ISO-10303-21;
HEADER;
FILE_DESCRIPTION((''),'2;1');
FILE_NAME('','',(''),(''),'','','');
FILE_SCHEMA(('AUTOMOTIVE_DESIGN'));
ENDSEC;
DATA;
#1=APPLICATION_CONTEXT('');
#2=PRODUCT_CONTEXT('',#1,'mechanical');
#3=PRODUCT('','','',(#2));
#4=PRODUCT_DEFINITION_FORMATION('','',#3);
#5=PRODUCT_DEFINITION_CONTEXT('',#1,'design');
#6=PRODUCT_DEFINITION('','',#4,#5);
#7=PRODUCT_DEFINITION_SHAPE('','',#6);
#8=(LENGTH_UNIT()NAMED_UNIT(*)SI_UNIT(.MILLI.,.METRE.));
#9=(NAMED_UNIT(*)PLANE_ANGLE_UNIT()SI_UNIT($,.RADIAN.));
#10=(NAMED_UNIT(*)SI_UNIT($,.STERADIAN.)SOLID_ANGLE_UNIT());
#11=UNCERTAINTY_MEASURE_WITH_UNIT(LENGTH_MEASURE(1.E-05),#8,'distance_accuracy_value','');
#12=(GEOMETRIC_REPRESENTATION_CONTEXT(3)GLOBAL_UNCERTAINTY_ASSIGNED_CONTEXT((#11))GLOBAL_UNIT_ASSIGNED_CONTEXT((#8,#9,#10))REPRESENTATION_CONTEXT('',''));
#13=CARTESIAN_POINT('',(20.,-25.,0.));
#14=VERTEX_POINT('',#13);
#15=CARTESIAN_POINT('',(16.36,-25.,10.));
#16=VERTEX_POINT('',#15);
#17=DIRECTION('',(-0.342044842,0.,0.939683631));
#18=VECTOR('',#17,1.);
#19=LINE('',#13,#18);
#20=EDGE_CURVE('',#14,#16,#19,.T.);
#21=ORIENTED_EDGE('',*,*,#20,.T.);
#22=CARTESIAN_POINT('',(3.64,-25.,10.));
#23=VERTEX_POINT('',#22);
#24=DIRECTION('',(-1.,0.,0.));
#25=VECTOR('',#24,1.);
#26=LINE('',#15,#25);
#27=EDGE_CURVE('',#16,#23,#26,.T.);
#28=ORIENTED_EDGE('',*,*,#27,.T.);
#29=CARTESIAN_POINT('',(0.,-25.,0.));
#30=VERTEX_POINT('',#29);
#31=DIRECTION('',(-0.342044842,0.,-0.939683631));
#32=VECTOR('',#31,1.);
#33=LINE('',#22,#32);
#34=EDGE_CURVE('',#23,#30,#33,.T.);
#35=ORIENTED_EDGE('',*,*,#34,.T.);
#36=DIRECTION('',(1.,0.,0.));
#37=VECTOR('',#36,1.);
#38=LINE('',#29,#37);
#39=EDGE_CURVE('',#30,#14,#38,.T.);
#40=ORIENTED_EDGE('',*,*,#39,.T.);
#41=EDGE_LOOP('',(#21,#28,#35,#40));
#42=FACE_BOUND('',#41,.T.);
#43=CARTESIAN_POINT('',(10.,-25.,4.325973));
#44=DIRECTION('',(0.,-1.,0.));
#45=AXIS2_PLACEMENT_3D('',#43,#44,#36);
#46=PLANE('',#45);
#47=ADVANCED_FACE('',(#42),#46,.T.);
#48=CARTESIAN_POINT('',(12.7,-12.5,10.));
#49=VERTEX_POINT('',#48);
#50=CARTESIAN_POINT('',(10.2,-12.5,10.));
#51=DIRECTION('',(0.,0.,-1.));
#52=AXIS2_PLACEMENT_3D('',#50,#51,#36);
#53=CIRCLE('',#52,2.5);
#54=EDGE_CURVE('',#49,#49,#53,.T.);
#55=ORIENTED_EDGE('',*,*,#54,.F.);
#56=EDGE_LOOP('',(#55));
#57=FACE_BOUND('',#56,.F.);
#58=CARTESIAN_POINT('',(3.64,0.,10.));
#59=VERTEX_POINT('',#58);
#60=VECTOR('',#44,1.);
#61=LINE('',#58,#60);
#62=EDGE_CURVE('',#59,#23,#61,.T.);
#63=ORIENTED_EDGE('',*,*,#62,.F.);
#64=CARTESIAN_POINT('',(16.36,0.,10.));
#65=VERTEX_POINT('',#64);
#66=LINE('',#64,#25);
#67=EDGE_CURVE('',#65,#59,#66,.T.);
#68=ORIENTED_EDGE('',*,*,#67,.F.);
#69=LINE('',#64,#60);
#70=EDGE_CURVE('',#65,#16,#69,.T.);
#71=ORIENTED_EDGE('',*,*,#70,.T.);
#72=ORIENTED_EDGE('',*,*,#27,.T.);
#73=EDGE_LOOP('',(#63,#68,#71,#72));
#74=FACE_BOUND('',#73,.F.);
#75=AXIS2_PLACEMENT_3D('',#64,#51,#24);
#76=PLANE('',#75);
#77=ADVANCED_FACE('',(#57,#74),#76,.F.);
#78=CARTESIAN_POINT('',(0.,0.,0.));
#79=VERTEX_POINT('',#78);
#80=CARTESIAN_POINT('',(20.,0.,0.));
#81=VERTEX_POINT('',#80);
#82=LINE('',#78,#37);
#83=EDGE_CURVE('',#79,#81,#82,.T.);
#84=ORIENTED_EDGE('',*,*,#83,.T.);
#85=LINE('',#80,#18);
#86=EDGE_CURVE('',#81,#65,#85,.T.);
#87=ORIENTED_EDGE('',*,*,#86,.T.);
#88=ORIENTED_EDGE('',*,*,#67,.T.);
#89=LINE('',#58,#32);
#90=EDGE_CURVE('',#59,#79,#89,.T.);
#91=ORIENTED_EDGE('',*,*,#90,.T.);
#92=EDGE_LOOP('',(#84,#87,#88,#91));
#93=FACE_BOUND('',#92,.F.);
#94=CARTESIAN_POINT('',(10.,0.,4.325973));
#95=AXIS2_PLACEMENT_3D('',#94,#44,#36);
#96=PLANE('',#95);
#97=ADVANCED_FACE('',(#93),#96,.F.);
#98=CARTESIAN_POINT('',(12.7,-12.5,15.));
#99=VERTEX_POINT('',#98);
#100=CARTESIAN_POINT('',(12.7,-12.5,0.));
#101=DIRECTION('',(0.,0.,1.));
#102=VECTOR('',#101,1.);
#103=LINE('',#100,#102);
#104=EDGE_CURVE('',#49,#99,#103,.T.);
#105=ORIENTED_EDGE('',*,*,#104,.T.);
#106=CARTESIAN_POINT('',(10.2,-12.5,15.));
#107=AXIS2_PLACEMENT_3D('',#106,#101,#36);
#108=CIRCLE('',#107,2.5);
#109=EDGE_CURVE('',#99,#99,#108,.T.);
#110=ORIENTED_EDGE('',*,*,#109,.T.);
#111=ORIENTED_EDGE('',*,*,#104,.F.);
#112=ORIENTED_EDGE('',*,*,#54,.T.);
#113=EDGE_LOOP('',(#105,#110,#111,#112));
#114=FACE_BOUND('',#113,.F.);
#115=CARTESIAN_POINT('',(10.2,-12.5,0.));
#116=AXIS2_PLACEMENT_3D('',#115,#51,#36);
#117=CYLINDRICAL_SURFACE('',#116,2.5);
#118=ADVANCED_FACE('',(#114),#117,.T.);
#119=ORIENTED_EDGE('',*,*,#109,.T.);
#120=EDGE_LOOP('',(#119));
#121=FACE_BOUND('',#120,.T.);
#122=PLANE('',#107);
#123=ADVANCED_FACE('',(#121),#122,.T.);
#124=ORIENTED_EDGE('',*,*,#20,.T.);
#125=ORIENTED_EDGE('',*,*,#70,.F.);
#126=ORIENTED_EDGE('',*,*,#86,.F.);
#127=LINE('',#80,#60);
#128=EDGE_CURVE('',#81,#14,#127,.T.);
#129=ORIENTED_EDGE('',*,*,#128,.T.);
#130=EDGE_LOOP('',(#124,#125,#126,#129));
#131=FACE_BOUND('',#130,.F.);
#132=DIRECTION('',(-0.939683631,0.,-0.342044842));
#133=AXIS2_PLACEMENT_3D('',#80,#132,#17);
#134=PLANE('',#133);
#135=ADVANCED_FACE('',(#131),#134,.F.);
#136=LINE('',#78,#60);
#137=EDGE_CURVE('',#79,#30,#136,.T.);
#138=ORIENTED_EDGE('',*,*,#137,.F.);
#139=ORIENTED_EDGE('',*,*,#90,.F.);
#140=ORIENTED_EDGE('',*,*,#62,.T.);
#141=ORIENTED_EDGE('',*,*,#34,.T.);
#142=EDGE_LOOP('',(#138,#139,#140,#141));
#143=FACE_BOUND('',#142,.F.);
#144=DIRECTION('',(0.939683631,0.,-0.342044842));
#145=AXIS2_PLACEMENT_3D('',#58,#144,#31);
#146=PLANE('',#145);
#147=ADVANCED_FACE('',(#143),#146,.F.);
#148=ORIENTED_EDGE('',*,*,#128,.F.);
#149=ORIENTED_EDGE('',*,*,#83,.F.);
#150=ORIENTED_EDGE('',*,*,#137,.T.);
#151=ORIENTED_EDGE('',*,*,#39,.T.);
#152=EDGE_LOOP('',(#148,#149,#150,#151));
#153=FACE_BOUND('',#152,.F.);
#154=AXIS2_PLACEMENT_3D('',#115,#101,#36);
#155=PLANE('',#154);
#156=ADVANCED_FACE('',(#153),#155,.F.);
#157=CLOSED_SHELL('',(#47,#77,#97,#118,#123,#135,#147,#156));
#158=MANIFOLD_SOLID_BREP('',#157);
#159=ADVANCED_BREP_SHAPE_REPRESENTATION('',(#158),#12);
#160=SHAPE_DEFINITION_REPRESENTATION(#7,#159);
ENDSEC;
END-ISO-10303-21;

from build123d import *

# Parameters (mm, degrees)
F1_DEPTH = 25
F2_R     = 2.5
F3_DEPTH = 15


with BuildPart() as f1:
    # F0 (on Front) → F1 (new body)
    with BuildSketch(Plane.XZ):
        Polygon((3.64, 10), (0, 0), (20, 0), (16.36, 10), align=None)
    extrude(amount=F1_DEPTH)

    # F2 (on Top) → F3 (join)
    with BuildSketch(Plane.XY):
        with Locations((10.2, -12.5)):
            Circle(F2_R)
    extrude(amount=F3_DEPTH)


solid = f1.part
